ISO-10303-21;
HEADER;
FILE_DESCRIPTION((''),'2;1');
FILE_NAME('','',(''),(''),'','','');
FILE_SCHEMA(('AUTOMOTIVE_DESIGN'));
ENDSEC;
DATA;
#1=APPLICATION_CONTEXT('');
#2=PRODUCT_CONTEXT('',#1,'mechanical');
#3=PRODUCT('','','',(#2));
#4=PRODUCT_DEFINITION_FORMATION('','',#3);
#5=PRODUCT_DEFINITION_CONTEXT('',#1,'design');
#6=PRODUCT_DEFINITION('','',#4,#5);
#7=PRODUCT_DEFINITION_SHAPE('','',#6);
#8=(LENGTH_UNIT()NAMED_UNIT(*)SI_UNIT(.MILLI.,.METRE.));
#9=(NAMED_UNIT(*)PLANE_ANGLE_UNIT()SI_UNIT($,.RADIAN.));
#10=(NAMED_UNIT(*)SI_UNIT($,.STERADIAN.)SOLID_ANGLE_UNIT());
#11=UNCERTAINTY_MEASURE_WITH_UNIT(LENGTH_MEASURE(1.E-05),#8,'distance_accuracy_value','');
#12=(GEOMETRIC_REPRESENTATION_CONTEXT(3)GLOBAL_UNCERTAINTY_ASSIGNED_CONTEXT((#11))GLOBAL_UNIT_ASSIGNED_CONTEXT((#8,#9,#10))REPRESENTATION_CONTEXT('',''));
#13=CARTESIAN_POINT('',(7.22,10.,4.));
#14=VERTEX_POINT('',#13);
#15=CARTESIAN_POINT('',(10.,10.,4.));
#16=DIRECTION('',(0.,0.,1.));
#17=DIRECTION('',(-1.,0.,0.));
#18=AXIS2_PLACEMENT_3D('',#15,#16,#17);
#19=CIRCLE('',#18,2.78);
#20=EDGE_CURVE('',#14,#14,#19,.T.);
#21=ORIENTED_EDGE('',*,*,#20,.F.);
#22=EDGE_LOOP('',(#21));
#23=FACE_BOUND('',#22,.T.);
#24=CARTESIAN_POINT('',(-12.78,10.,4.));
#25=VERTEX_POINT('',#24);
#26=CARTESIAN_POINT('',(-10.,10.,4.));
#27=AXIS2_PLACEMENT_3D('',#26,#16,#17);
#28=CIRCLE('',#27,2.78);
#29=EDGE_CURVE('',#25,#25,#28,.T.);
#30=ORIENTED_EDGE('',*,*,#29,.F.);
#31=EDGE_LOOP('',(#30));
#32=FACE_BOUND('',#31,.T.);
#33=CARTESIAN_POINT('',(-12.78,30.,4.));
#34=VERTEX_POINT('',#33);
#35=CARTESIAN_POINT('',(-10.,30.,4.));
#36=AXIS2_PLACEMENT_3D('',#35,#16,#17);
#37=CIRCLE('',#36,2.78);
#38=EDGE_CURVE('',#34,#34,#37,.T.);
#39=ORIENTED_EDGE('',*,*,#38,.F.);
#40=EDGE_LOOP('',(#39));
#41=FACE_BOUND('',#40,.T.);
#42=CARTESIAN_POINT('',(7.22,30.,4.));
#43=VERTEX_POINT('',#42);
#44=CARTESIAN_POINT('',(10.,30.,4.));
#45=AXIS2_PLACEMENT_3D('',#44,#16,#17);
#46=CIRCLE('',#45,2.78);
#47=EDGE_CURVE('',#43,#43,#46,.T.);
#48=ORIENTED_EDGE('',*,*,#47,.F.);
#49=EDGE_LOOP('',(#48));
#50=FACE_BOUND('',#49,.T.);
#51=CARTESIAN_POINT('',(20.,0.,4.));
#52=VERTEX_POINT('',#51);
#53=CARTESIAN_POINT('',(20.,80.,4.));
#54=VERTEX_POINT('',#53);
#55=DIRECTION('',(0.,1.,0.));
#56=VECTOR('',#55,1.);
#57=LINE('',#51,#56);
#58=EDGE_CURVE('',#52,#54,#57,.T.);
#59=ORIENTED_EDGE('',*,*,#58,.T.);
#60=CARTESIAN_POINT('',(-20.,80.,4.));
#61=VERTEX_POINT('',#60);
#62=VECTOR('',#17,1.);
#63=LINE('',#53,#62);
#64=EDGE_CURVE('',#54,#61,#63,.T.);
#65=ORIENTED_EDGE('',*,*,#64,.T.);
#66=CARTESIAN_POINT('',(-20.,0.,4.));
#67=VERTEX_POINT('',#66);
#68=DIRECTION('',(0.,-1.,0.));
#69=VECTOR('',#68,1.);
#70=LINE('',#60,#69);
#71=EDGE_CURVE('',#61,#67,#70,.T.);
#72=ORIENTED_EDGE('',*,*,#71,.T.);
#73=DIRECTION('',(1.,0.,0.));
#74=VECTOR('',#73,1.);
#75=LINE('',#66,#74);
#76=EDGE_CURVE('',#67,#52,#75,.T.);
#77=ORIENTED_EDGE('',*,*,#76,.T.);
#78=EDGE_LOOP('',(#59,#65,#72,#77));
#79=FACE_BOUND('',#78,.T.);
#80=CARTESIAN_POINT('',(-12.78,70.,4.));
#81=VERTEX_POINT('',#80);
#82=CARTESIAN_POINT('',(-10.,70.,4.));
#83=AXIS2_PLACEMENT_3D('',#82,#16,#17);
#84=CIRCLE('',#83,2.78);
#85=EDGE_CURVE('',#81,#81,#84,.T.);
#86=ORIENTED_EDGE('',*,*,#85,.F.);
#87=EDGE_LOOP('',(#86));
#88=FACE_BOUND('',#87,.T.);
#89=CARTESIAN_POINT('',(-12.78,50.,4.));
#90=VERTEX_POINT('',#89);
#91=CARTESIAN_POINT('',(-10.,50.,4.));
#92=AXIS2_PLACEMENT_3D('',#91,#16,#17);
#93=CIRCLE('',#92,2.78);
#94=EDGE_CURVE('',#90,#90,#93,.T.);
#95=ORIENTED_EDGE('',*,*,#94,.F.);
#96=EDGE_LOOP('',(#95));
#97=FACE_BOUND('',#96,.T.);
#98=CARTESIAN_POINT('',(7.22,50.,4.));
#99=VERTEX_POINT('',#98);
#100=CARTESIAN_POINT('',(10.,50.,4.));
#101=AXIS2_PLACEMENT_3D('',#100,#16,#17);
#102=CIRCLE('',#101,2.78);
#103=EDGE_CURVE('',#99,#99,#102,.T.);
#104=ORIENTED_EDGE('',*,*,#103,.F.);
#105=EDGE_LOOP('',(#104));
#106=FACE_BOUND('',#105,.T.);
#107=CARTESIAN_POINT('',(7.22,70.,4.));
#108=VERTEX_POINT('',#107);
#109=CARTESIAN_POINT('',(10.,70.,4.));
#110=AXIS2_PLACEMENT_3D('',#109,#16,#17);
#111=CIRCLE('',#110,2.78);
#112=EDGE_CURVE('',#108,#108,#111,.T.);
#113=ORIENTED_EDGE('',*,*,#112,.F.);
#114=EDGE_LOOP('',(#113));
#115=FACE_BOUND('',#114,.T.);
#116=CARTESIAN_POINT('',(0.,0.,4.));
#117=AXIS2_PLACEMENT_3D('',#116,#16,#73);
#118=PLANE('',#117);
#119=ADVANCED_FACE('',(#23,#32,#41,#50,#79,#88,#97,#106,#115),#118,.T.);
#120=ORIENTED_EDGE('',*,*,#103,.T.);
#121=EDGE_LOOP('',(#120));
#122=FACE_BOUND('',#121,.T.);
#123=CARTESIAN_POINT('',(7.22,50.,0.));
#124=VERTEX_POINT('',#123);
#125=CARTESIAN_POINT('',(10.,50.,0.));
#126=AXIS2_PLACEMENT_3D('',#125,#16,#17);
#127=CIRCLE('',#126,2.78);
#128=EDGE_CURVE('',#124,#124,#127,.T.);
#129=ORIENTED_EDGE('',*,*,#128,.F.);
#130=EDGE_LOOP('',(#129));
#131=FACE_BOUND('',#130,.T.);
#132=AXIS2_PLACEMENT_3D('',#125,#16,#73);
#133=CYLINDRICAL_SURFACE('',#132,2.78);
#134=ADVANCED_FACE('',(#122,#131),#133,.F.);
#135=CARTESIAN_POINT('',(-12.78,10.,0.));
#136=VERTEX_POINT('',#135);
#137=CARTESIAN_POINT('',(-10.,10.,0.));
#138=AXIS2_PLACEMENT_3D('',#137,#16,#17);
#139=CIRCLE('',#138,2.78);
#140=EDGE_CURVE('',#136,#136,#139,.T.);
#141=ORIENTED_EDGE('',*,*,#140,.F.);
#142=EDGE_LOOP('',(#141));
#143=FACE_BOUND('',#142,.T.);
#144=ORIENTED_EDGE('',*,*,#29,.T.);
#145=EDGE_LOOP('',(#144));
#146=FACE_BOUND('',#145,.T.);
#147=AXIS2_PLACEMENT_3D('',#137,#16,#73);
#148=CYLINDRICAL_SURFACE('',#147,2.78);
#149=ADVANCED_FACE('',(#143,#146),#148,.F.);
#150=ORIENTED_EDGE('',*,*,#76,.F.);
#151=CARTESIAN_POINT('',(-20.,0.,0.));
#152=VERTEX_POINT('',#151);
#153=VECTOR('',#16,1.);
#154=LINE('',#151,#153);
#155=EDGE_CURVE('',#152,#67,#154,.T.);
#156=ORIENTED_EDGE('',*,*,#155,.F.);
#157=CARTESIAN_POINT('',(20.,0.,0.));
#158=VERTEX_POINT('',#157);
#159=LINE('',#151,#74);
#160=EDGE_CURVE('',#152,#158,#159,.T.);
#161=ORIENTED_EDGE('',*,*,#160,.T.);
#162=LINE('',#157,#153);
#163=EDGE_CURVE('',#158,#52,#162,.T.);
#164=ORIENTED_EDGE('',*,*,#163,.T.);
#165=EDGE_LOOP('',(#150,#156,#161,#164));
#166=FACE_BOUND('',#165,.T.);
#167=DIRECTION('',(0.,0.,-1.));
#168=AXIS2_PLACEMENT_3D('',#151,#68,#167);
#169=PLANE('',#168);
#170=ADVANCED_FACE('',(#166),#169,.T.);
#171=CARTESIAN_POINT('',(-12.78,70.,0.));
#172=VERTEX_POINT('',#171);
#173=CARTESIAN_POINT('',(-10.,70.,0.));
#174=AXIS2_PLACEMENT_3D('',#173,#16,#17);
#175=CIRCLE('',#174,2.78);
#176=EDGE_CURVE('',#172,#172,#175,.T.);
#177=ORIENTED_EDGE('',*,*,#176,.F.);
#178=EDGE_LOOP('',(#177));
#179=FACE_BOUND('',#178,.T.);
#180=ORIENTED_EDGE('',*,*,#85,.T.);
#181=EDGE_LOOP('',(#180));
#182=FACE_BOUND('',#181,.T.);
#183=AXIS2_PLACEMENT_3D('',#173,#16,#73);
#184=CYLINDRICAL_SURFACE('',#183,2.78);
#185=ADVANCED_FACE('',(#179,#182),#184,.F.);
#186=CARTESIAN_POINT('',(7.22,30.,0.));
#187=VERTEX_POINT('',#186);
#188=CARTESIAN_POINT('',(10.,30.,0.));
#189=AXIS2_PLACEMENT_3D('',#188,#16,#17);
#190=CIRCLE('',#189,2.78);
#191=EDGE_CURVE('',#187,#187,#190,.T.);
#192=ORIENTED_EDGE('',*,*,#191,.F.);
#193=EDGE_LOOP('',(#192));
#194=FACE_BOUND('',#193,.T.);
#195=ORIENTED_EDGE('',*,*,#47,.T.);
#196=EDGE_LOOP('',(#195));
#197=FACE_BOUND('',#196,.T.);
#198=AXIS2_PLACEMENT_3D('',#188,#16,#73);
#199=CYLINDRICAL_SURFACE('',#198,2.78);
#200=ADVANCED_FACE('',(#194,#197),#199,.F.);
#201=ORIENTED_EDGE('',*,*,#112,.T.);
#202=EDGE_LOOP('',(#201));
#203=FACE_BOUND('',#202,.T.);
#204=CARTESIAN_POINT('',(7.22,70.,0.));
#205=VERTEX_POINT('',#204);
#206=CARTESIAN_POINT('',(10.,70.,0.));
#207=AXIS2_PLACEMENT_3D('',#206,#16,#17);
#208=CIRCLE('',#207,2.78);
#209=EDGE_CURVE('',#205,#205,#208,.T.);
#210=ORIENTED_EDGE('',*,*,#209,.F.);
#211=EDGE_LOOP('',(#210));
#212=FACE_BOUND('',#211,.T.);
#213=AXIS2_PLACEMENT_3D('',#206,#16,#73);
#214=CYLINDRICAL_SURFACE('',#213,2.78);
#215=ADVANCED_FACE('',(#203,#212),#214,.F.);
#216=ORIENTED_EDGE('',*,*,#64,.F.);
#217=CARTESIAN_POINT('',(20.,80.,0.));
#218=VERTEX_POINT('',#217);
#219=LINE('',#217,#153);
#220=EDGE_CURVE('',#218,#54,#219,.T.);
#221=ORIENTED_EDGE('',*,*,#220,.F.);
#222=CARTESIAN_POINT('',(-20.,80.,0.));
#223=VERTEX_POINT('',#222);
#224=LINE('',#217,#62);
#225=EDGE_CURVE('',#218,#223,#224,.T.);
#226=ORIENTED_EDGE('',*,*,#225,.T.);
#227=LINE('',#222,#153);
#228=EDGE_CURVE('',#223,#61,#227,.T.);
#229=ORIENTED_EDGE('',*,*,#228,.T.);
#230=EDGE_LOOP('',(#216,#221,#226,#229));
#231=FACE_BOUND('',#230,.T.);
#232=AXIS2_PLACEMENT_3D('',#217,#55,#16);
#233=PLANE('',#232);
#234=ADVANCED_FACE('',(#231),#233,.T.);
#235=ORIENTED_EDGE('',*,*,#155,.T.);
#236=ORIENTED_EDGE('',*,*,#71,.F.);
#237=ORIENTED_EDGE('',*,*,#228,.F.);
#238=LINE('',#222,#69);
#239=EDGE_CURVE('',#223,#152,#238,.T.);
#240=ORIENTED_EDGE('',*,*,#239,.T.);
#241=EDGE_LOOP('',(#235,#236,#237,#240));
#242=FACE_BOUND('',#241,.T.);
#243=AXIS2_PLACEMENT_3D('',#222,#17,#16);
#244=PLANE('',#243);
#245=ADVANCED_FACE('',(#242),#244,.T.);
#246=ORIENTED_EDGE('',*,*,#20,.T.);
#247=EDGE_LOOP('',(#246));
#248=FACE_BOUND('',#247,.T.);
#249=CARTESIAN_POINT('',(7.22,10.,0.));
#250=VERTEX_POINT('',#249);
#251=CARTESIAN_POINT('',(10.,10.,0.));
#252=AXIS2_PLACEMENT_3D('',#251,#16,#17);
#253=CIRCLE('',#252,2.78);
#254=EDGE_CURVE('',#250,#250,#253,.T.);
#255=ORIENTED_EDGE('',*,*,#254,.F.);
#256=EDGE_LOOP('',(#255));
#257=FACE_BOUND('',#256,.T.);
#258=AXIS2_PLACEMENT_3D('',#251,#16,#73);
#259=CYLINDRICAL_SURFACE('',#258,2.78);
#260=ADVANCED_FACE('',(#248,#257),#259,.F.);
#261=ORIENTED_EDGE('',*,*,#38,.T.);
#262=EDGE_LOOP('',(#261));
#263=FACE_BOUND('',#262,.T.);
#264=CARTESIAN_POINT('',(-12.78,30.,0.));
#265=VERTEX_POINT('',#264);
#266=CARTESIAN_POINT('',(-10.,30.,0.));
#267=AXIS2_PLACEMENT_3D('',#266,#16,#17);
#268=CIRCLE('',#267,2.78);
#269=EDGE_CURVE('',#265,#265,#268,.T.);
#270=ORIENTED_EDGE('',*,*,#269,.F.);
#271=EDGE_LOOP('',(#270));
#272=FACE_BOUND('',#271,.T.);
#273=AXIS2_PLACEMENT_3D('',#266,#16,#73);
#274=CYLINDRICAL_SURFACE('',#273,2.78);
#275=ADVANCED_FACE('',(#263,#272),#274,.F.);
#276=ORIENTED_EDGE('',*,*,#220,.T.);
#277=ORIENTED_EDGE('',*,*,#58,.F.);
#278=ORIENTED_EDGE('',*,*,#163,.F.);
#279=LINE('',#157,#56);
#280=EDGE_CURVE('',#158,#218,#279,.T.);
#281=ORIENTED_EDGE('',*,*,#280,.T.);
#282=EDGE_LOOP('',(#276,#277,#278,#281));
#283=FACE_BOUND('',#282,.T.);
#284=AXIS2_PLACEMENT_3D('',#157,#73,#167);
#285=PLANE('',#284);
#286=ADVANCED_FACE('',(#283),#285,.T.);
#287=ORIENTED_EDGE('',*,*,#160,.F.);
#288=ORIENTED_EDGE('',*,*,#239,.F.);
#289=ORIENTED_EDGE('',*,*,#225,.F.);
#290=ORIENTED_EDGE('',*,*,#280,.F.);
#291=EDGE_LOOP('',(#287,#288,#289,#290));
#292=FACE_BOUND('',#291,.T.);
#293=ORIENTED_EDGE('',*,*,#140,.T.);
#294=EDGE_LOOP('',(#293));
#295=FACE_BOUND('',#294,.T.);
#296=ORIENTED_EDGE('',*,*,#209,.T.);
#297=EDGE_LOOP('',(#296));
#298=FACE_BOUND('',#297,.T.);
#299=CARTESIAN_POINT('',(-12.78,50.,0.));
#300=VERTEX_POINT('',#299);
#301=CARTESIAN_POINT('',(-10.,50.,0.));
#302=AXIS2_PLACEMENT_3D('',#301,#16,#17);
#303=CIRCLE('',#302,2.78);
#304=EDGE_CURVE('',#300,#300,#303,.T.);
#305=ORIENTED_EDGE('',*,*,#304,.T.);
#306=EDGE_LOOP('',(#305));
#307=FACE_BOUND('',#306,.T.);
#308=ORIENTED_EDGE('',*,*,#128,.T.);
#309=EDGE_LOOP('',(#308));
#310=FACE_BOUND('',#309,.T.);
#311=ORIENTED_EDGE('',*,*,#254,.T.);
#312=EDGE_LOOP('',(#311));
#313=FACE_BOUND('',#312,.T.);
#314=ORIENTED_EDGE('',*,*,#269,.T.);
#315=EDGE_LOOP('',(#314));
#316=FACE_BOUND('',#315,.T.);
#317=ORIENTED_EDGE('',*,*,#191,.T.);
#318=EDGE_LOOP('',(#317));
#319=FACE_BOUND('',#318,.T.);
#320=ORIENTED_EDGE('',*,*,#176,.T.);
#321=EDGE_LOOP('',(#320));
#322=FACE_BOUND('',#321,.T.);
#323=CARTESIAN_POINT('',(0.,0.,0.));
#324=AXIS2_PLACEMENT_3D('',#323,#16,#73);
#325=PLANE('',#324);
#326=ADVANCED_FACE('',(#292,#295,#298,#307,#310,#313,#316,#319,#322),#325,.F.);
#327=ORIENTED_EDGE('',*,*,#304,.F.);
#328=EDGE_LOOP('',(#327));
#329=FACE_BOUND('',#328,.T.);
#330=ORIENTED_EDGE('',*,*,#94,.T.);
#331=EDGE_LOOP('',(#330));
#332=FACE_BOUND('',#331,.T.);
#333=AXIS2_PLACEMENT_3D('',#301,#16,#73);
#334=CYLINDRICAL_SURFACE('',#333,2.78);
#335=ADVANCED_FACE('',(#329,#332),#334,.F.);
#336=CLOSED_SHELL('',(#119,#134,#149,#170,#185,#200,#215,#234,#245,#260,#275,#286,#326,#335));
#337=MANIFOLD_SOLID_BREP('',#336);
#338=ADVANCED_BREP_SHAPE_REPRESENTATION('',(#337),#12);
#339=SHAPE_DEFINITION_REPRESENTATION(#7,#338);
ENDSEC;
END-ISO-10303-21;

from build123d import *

# Parameters (mm, degrees)
SKETCH1_W           = 40
SKETCH1_H           = 80
SKETCH1_R           = 2.78
BOSS_EXTRUDE1_DEPTH = 4


with BuildPart() as part:
    # Sketch1 → Boss-Extrude1 (new body)
    with BuildSketch(Plane.XY.offset(4)):
        with Locations((0, 40)):
            Rectangle(SKETCH1_W, SKETCH1_H)
        with Locations((-10, 70)):
            Circle(SKETCH1_R, mode=Mode.SUBTRACT)
        with Locations((-10, 50)):
            Circle(SKETCH1_R, mode=Mode.SUBTRACT)
        with Locations((-10, 30)):
            Circle(SKETCH1_R, mode=Mode.SUBTRACT)
        with Locations((-10, 10)):
            Circle(SKETCH1_R, mode=Mode.SUBTRACT)
        with Locations((10, 70)):
            Circle(SKETCH1_R, mode=Mode.SUBTRACT)
        with Locations((10, 50)):
            Circle(SKETCH1_R, mode=Mode.SUBTRACT)
        with Locations((10, 30)):
            Circle(SKETCH1_R, mode=Mode.SUBTRACT)
        with Locations((10, 10)):
            Circle(SKETCH1_R, mode=Mode.SUBTRACT)
    extrude(amount=-BOSS_EXTRUDE1_DEPTH)


solid = part.part
